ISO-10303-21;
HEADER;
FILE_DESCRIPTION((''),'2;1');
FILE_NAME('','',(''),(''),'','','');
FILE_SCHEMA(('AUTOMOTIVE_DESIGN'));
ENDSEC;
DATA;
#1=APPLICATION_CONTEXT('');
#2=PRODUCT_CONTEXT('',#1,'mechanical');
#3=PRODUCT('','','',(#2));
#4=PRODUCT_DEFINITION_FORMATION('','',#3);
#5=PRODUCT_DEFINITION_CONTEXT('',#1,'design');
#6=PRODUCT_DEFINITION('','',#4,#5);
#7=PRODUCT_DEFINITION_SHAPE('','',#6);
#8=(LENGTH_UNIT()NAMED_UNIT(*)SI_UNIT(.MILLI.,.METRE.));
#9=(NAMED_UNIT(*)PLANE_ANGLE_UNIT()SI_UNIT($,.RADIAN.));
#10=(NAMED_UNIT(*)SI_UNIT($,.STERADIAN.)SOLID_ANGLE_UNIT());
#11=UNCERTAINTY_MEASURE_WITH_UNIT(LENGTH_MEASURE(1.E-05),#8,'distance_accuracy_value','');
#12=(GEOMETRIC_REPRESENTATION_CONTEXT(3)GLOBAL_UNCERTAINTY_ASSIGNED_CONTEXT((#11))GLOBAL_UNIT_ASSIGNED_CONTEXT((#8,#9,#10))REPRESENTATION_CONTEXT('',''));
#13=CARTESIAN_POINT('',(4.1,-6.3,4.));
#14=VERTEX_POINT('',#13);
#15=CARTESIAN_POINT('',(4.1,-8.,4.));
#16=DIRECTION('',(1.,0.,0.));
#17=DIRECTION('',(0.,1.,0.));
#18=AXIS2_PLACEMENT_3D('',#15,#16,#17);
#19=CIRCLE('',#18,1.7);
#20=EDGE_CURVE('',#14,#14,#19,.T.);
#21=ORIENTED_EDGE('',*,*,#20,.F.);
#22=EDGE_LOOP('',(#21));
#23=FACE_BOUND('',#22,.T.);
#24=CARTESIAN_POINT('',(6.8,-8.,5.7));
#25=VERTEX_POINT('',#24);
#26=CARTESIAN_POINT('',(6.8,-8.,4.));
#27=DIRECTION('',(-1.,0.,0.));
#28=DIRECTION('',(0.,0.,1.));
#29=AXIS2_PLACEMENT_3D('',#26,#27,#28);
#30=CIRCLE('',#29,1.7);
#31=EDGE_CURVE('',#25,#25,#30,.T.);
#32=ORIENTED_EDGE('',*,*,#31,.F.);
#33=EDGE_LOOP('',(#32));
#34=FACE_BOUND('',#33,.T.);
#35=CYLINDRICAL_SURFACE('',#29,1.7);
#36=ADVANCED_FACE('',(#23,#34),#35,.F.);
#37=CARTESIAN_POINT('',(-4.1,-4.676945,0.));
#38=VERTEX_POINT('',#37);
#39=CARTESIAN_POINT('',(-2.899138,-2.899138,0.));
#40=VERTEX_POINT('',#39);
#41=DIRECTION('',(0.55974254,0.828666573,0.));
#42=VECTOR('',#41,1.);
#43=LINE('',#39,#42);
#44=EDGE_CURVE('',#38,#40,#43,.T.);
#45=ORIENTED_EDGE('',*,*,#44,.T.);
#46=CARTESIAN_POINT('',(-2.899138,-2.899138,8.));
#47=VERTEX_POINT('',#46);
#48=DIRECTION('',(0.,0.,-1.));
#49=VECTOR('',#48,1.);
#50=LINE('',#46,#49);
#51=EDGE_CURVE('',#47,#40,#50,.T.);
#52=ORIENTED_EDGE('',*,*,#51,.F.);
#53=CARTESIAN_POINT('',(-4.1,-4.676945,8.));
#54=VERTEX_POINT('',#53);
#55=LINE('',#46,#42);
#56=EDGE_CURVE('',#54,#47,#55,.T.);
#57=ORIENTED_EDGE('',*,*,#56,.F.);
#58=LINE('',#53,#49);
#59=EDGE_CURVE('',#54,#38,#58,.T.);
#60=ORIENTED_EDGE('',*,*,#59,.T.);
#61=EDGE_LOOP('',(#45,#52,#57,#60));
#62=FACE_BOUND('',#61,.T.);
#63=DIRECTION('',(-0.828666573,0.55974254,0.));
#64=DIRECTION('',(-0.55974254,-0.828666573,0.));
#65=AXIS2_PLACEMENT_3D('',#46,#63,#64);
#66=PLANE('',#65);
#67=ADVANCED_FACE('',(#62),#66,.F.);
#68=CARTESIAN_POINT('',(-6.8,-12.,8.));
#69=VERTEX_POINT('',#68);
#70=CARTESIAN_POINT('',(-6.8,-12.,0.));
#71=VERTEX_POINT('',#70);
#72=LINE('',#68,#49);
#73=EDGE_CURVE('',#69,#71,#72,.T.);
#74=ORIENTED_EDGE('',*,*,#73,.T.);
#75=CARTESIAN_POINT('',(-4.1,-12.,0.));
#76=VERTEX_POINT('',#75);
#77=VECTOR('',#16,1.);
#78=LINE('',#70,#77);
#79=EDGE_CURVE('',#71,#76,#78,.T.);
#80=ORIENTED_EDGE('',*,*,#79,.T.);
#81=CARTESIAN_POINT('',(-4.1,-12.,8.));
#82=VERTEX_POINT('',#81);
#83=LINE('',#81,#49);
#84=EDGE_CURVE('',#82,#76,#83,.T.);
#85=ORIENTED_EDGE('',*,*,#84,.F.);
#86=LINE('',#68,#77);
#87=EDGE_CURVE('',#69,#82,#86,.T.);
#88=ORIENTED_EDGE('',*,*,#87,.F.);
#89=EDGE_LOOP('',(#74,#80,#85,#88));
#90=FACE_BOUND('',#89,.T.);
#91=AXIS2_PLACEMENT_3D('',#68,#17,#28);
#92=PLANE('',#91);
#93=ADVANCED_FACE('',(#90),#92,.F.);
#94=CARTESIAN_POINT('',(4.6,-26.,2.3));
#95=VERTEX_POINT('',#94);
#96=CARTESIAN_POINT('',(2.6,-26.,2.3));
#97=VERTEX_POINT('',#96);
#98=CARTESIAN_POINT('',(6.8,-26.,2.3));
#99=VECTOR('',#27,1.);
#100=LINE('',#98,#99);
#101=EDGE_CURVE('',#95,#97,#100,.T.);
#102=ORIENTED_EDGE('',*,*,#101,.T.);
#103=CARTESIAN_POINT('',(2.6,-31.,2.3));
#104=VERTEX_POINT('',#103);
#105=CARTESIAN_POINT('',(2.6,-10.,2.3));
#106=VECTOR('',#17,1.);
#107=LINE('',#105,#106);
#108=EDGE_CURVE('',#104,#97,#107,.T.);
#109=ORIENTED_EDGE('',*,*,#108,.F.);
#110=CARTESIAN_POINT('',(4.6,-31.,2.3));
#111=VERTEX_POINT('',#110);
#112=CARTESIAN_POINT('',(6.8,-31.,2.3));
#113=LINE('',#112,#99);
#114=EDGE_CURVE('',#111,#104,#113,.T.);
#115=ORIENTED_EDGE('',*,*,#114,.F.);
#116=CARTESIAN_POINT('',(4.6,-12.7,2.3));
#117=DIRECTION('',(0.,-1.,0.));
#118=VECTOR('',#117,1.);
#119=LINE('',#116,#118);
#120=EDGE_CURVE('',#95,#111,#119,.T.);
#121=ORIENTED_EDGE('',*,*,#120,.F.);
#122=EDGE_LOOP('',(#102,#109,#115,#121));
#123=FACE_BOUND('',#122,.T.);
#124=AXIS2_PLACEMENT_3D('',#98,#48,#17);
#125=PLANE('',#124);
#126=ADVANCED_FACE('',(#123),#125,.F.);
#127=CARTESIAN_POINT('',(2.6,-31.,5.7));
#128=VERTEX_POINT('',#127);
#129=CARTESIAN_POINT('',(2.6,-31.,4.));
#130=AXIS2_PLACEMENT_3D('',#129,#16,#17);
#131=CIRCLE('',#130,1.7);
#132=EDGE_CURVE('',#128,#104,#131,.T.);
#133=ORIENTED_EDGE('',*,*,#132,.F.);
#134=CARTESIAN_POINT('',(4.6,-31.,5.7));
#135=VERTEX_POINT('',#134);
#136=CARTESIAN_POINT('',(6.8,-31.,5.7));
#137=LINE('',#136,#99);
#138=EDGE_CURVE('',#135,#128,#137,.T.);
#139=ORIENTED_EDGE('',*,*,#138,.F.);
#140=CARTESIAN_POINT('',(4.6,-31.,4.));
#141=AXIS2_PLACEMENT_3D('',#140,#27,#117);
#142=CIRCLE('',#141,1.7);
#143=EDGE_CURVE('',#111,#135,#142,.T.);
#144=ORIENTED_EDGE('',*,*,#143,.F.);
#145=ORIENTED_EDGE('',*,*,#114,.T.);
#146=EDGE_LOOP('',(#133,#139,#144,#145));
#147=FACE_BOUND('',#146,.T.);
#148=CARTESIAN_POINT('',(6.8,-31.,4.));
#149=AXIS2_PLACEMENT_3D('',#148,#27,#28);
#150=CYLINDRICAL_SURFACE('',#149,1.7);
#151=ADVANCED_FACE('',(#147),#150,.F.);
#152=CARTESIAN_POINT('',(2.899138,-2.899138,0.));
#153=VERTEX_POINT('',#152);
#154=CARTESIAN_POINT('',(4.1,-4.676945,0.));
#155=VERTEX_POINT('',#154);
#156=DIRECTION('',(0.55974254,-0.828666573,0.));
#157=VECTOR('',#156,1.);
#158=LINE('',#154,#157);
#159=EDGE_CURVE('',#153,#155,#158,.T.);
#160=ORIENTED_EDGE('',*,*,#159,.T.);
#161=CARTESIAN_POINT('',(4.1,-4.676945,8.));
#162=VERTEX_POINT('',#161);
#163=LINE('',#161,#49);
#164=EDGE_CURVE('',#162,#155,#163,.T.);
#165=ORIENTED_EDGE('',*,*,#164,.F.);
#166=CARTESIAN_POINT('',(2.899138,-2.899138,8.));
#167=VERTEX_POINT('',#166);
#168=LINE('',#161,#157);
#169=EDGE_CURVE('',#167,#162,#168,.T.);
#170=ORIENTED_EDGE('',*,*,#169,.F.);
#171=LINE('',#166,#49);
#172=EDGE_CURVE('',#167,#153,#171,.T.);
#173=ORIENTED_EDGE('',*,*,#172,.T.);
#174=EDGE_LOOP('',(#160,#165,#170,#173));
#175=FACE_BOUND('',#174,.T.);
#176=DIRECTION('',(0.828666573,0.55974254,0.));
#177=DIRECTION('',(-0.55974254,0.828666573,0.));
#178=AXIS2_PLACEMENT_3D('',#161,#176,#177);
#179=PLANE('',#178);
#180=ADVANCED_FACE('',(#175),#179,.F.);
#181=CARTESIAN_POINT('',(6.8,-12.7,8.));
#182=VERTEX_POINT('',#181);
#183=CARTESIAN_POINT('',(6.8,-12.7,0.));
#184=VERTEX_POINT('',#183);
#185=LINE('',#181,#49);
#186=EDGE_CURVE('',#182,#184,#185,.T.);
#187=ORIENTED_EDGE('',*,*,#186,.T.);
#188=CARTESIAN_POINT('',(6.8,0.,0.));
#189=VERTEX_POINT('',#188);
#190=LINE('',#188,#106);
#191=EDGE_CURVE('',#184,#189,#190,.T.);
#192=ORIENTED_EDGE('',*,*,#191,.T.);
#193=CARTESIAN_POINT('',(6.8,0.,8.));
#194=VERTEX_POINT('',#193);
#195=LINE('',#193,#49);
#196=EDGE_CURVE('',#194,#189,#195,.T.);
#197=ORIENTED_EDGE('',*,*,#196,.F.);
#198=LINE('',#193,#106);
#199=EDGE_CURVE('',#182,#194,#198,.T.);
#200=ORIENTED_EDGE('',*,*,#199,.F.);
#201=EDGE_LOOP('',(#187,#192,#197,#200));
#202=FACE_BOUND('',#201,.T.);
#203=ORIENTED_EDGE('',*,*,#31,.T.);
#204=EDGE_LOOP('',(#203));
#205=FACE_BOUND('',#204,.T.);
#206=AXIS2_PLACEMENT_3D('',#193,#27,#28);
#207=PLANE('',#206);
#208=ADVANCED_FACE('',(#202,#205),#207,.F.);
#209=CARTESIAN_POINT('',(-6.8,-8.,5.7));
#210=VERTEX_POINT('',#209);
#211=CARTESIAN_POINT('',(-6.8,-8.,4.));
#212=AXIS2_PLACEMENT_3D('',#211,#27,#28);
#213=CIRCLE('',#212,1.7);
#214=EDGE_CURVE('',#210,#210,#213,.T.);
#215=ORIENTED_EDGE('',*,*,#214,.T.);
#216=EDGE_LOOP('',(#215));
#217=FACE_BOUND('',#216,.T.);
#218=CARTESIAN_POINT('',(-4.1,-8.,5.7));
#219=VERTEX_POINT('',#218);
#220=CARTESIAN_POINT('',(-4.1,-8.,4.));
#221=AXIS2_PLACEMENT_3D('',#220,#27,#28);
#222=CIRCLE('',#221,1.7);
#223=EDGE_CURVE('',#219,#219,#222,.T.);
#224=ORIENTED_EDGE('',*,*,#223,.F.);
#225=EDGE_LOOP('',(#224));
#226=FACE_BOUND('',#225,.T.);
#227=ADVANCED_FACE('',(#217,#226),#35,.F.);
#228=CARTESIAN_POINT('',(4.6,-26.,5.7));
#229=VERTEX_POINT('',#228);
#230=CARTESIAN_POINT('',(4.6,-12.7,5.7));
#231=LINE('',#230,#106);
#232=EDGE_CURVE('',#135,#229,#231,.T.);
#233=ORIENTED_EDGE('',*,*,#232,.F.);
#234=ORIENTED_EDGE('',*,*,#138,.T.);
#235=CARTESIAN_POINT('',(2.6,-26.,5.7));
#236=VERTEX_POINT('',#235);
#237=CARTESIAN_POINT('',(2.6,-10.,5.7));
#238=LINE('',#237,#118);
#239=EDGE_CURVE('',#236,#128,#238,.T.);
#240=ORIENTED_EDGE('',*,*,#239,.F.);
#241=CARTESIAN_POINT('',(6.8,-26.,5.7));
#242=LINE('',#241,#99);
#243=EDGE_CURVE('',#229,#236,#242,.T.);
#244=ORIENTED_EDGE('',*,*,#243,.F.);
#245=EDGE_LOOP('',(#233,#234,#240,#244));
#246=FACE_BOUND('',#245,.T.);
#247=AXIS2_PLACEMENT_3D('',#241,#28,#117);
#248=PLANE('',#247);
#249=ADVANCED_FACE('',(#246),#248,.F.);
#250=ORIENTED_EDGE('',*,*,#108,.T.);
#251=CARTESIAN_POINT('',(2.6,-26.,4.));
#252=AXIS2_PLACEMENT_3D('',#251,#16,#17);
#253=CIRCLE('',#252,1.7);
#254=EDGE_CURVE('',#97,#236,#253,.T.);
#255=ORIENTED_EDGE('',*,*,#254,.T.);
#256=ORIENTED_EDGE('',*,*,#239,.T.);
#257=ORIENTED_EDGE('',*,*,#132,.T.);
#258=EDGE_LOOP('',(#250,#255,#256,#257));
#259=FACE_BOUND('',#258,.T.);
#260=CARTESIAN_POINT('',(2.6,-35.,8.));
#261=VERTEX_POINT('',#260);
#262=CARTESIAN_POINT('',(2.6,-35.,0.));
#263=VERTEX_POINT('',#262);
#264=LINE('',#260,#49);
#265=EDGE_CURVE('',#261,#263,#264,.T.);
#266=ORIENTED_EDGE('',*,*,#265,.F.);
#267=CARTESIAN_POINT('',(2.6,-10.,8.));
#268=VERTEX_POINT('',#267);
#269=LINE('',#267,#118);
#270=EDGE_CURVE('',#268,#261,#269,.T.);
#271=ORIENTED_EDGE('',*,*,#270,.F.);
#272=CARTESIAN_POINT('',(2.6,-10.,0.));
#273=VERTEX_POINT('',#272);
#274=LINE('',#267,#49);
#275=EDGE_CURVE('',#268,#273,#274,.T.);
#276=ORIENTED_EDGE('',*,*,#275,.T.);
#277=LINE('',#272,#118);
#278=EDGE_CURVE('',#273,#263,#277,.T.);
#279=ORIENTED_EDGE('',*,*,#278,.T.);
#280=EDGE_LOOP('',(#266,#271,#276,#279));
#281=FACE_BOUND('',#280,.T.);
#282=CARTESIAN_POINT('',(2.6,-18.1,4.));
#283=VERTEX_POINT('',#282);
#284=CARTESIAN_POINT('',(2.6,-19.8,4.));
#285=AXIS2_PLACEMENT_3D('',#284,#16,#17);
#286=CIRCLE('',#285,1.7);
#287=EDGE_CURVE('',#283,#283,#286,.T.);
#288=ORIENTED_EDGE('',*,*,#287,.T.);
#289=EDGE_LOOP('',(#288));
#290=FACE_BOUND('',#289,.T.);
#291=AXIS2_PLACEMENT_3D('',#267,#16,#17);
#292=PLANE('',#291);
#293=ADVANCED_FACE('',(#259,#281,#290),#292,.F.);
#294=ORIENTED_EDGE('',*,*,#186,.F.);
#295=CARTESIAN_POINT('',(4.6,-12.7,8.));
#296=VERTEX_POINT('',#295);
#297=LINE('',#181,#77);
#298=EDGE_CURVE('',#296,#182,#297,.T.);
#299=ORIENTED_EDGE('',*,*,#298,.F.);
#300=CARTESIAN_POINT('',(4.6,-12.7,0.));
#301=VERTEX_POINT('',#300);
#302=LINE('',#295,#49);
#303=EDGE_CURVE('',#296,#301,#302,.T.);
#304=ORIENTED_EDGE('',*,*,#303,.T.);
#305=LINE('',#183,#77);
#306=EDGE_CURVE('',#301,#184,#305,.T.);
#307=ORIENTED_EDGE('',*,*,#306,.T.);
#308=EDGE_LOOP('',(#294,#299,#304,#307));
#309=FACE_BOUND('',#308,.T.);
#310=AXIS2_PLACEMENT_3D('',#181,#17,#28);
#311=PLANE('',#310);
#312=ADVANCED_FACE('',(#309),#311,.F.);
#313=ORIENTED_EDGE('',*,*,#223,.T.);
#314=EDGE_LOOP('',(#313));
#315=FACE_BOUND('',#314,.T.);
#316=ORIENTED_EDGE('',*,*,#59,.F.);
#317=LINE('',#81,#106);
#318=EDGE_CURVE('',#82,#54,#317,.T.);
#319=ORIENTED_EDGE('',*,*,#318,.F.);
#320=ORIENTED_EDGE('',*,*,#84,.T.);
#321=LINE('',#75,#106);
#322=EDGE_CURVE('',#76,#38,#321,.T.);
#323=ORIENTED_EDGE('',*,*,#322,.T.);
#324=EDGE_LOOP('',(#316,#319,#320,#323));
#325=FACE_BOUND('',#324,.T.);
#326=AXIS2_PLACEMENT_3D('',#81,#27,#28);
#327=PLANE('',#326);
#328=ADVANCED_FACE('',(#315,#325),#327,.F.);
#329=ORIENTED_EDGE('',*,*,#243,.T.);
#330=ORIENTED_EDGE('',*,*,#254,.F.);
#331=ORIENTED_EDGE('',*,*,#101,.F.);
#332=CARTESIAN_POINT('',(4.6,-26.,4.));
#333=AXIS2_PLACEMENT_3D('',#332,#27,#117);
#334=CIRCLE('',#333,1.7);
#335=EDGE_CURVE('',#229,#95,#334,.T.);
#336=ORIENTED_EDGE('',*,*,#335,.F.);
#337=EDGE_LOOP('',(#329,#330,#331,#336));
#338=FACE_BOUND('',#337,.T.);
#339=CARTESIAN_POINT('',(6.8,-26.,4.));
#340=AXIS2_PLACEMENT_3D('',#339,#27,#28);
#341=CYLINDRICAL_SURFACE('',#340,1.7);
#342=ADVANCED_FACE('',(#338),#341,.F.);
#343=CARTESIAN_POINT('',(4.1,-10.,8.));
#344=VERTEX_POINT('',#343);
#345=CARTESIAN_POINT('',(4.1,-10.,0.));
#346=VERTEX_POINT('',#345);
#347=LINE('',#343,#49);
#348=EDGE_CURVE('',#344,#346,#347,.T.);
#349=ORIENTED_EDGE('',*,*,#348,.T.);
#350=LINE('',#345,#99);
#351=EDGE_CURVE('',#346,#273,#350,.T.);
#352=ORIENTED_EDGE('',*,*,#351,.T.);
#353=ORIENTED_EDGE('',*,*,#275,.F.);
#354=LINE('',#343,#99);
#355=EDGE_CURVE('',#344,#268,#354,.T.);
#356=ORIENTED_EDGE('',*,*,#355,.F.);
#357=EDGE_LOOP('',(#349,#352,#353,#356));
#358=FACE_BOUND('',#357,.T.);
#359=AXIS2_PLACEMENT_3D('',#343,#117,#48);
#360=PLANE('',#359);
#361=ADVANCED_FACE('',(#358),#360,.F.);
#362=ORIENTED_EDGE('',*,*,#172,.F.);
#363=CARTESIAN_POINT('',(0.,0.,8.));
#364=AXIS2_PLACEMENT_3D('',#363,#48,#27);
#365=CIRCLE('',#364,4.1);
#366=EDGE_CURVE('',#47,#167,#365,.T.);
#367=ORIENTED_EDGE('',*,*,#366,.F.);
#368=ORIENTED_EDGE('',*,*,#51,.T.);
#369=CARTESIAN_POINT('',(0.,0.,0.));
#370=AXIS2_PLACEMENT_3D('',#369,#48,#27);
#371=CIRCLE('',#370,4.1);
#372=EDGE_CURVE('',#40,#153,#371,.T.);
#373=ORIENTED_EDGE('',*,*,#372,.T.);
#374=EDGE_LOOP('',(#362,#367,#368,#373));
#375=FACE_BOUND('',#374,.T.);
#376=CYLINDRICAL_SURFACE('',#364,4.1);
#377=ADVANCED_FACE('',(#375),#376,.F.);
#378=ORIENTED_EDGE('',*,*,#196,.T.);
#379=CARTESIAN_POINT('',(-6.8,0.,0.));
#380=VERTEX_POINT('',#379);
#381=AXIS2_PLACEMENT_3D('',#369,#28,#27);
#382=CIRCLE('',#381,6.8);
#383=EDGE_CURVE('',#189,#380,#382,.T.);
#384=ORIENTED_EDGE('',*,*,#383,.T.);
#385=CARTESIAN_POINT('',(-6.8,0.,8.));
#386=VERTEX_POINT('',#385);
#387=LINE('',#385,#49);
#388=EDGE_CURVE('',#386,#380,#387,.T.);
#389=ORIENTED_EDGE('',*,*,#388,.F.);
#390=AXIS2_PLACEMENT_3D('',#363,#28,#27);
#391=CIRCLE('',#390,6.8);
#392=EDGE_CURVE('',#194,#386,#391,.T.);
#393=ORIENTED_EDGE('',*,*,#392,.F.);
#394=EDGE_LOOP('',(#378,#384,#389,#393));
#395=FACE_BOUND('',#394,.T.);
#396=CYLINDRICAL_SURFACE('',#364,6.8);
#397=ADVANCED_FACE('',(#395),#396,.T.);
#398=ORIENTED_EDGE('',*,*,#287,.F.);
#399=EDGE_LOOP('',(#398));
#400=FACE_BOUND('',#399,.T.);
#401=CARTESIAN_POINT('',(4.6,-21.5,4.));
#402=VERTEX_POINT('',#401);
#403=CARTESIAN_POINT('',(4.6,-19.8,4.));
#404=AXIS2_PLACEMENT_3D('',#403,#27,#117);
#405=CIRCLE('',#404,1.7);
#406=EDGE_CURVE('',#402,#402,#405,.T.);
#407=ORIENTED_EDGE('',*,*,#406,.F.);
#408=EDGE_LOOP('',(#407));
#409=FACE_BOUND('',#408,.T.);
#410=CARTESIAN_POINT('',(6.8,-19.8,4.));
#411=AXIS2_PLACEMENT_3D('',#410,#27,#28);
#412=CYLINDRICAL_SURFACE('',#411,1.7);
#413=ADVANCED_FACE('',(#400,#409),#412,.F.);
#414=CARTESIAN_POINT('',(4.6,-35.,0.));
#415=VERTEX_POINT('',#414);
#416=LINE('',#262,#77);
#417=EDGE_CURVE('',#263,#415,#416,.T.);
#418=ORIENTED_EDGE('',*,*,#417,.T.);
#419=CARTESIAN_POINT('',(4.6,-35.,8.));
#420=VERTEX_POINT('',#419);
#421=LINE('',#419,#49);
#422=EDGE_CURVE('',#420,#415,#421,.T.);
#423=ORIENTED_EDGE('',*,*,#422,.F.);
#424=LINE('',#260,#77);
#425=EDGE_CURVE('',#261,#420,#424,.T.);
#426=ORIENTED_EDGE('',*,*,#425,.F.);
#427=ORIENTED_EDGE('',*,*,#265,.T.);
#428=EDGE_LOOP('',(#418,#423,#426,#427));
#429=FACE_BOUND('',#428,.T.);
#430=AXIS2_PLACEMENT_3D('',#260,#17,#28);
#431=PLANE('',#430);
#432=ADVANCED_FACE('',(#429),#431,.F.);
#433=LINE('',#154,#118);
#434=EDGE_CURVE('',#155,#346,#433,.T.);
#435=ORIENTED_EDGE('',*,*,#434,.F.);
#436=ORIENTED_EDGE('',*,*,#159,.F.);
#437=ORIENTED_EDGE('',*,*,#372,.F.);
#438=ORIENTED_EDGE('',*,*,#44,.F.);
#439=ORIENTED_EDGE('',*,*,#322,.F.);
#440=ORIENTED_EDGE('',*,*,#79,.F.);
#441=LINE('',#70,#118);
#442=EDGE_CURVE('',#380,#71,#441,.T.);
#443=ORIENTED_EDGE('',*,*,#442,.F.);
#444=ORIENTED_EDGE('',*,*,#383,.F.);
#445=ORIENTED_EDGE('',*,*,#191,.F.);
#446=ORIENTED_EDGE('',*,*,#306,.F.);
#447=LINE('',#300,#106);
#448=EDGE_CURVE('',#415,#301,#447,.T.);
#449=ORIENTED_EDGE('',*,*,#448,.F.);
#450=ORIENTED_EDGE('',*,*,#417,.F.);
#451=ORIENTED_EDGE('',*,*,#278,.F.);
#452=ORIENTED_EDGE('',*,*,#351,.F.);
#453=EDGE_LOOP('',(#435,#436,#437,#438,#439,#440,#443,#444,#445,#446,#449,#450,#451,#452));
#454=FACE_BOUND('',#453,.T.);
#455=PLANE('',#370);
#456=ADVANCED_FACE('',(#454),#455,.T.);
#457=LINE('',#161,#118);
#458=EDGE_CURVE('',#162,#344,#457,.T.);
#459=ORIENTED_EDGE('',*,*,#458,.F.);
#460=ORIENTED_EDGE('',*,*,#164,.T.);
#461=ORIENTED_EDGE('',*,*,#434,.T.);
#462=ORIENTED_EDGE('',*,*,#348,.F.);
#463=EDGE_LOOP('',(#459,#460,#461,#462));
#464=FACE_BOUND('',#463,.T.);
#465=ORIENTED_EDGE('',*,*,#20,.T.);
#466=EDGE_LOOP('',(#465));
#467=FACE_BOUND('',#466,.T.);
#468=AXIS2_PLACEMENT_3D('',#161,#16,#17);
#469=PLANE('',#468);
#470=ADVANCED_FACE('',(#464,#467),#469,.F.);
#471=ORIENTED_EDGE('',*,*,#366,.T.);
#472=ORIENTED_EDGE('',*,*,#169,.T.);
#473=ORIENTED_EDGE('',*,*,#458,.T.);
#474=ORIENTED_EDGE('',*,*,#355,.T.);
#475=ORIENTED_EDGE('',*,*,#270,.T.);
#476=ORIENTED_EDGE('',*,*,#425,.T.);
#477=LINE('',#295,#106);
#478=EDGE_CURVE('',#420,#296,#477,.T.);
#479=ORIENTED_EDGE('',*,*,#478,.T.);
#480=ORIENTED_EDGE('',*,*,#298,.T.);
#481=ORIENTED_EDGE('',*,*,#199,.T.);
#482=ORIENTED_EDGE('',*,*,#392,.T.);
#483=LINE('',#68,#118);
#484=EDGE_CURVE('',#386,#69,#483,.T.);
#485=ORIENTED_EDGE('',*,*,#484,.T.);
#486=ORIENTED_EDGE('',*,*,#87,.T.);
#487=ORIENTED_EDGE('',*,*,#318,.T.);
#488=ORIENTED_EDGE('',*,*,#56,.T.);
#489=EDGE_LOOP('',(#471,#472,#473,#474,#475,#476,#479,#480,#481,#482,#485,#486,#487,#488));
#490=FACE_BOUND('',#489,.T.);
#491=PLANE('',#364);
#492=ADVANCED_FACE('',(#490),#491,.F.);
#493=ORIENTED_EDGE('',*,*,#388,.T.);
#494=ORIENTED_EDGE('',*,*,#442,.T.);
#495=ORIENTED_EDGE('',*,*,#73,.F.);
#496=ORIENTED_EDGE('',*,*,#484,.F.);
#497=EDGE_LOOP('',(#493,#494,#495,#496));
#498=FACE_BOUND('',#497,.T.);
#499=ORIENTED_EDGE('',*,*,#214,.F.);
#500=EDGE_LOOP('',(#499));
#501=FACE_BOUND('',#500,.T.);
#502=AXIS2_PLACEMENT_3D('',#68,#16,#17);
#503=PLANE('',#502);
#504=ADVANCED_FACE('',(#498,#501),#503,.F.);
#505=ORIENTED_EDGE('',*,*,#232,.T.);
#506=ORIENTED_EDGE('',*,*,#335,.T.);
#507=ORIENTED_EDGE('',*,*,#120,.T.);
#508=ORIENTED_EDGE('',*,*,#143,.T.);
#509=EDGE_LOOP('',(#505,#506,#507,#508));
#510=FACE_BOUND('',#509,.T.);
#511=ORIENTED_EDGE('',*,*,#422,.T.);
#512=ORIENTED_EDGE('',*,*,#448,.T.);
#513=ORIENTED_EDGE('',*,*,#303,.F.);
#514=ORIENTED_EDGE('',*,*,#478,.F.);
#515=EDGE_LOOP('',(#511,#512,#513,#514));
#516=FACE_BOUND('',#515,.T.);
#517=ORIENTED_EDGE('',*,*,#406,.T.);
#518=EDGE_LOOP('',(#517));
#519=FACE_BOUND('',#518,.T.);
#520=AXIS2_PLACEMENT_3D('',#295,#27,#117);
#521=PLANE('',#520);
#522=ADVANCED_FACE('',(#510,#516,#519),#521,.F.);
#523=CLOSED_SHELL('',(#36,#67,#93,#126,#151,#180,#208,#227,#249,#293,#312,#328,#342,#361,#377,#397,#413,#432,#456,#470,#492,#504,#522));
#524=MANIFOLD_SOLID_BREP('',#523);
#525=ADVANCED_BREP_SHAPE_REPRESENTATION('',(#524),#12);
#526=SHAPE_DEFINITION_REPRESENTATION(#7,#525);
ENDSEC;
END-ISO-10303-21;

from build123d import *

# Parameters (mm, degrees)
RESSALTO_EXTRUS_O1_DEPTH = 8
ESBO_O2_R                = 1.7
CORTE_EXTRUS_O1_DEPTH    = 39.392186705


with BuildPart() as part:
    # Esboço1 → Ressalto-extrusão1 (new body)
    with BuildSketch(Plane.XY):
        with BuildLine():
            Line((4.1, -4.676945082), (2.899137803, -2.899137803))
            ThreePointArc((2.899137803, -2.899137803), (0, 4.1), (-2.899137803, -2.899137803))
            Line((-2.899137803, -2.899137803), (-4.1, -4.676945082))
            Line((-4.1, -4.676945082), (-4.1, -12))
            Line((-4.1, -12), (-6.8, -12))
            Line((-6.8, -12), (-6.8, 0))
            ThreePointArc((-6.8, 0), (0, 6.8), (6.8, 0))
            Line((6.8, 0), (6.8, -12.7))
            Line((6.8, -12.7), (4.6, -12.7))
            Line((4.6, -12.7), (4.6, -35))
            Line((4.6, -35), (2.6, -35))
            Line((2.6, -35), (2.6, -10))
            Line((2.6, -10), (4.1, -10))
            Line((4.1, -10), (4.1, -4.676945082))
        make_face()
    extrude(amount=RESSALTO_EXTRUS_O1_DEPTH)

    # Esboço2 → Corte-extrusão1 (cut, through all)
    with BuildSketch(Plane.ZY.offset(6.8)):
        with Locations((4, -8)):
            Circle(ESBO_O2_R)
        with Locations(Location((4, -19.8, 0), (0, 0, 270))):
            Circle(ESBO_O2_R)
        with BuildLine():
            Line((5.7, -26), (5.7, -31))
            ThreePointArc((5.7, -31), (4, -32.7), (2.3, -31))
            Line((2.3, -31), (2.3, -26))
            ThreePointArc((2.3, -26), (4, -24.3), (5.7, -26))
        make_face()
    extrude(amount=-CORTE_EXTRUS_O1_DEPTH, mode=Mode.SUBTRACT)


solid = part.part
